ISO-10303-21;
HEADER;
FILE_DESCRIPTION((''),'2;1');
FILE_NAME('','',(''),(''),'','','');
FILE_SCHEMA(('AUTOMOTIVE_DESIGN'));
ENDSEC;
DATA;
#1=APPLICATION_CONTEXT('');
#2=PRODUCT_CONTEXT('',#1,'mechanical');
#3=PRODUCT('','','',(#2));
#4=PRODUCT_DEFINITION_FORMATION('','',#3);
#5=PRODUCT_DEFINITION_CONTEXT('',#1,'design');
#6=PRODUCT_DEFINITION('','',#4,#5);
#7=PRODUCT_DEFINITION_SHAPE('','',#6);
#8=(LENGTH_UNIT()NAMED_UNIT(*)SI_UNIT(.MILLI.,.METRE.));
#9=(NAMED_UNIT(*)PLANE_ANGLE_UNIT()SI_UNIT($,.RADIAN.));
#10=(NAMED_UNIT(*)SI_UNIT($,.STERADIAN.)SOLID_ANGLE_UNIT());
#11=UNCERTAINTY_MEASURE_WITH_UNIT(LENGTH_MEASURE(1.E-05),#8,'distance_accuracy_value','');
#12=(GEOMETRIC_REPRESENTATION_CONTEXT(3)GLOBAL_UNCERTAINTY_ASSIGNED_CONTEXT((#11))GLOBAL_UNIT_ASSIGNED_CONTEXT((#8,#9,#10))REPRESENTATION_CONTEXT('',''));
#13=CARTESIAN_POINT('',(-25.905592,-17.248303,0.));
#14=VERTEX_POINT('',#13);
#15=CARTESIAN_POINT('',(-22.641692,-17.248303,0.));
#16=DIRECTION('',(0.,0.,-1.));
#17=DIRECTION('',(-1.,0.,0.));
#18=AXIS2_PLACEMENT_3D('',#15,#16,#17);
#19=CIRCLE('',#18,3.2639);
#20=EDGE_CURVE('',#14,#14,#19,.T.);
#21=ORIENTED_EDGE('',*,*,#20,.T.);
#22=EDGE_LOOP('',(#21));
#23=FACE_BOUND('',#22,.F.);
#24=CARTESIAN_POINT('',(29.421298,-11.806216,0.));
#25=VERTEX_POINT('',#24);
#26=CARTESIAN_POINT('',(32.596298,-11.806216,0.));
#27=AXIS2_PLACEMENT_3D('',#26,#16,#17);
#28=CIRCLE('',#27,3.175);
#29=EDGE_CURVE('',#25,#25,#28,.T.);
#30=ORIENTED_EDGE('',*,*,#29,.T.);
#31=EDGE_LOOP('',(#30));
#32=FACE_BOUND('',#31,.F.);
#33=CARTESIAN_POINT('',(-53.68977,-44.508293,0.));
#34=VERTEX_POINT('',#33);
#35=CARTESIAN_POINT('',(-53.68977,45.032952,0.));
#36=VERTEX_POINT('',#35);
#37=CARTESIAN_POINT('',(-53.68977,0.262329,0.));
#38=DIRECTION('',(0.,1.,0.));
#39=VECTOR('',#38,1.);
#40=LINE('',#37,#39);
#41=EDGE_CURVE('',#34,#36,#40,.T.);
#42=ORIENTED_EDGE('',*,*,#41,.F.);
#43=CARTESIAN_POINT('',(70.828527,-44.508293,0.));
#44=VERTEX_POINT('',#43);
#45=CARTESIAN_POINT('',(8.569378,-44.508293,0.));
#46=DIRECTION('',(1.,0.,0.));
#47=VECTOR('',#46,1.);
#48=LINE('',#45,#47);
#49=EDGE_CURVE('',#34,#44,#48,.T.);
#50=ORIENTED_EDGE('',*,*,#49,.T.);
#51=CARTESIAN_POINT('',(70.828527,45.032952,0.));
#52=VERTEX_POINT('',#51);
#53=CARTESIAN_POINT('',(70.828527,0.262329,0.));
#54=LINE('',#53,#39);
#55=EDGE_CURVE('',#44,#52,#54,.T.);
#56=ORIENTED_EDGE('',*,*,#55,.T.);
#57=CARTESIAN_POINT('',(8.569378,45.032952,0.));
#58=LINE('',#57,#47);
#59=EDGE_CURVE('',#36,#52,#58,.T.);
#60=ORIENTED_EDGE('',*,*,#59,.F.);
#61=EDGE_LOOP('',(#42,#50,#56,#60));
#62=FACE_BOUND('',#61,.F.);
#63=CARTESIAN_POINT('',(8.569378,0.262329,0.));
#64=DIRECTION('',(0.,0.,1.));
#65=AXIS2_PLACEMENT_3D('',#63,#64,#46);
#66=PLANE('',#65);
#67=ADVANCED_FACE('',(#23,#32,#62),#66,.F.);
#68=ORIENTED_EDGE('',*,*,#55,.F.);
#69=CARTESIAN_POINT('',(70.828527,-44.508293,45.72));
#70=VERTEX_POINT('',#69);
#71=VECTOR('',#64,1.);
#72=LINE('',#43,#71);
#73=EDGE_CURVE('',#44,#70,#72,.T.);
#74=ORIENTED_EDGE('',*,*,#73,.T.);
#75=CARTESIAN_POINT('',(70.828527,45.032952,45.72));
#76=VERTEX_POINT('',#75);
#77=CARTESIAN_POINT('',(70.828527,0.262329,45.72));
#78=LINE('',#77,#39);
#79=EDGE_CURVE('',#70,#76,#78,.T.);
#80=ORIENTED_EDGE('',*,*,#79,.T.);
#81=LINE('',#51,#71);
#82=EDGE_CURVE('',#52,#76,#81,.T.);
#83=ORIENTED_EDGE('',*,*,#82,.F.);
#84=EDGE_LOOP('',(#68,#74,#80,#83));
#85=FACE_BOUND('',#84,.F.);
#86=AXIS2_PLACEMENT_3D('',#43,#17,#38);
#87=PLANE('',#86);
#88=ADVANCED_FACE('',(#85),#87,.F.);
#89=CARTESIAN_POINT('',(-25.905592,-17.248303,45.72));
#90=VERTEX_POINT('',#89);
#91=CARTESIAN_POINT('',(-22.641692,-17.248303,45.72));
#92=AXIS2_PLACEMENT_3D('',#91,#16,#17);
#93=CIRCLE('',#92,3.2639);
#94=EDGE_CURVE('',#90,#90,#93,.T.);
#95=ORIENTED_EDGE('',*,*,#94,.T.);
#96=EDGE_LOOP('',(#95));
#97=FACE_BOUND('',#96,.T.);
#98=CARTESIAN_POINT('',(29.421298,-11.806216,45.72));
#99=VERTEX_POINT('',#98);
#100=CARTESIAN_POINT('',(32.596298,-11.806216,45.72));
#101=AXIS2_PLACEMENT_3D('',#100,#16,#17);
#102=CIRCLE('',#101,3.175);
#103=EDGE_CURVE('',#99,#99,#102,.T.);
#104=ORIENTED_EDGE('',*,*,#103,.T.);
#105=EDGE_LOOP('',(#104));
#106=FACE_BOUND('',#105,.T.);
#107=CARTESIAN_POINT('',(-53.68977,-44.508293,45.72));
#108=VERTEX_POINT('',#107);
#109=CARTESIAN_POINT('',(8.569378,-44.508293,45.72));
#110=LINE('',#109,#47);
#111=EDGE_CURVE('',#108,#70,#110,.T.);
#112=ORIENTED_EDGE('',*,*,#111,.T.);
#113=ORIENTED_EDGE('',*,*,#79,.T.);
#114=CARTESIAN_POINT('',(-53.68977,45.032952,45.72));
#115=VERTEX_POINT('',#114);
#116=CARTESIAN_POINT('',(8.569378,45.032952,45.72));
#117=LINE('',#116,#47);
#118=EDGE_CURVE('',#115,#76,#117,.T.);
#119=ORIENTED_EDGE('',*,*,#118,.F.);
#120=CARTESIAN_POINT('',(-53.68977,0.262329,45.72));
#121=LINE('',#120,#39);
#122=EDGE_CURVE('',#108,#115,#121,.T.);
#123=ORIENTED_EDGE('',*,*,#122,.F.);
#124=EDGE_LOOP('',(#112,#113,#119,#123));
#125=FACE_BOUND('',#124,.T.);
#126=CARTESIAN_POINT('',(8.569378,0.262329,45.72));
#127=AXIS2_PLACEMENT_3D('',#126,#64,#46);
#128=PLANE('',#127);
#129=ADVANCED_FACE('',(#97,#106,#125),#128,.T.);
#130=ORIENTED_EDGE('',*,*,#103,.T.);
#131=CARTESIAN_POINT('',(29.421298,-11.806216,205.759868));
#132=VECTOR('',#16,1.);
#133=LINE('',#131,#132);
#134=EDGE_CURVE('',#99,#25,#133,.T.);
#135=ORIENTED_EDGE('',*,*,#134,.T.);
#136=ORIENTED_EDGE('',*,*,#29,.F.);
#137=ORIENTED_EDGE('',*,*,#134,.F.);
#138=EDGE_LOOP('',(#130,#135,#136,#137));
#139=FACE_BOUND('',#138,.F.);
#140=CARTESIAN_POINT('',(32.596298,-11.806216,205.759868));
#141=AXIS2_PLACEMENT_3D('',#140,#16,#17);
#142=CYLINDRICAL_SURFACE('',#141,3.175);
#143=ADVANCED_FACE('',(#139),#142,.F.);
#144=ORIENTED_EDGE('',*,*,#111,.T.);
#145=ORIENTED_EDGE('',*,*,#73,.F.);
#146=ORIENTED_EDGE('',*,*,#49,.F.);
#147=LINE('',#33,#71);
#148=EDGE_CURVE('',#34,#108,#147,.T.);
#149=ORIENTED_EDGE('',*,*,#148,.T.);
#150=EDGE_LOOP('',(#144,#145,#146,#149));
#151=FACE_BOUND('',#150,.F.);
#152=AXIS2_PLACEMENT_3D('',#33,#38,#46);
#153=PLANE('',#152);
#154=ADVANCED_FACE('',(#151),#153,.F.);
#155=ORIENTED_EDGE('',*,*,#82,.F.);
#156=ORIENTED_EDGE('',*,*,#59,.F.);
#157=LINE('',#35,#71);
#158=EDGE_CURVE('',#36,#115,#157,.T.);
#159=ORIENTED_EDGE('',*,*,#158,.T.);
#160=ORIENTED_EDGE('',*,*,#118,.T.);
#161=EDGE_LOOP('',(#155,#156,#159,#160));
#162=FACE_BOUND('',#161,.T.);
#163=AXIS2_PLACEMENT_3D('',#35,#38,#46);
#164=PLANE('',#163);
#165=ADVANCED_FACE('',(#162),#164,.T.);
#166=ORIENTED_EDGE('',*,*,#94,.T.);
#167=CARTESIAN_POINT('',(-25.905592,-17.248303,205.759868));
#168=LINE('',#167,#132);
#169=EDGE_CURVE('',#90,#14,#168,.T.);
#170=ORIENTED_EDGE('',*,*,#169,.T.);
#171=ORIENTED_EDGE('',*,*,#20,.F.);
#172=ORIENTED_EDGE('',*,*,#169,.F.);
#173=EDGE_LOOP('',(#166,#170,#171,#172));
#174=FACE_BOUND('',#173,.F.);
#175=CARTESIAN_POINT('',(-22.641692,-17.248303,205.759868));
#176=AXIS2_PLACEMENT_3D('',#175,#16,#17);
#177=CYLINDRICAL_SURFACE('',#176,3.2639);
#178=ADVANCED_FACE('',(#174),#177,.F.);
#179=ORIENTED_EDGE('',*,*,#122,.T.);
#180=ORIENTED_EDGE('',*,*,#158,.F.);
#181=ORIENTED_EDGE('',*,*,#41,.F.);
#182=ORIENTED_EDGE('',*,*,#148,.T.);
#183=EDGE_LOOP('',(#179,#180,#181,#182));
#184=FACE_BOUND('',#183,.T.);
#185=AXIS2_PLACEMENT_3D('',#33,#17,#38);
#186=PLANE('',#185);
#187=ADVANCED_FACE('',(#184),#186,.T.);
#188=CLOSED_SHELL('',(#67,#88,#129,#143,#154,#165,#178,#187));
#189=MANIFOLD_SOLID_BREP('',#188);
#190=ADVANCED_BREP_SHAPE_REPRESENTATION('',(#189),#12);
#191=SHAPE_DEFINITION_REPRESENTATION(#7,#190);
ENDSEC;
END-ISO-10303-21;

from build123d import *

# Parameters (mm, degrees)
F0_W     = 124.5182976127
F0_H     = 89.5412452519
F1_DEPTH = 45.72
F3_D     = 6.5278
F5_D     = 6.35


with BuildPart() as f1:
    # F0 (on Top) → F1 (new body)
    with BuildSketch(Plane.XY):
        with Locations((8.5693784058, 0.2623293549)):
            Rectangle(F0_W, F0_H)
    extrude(amount=F1_DEPTH)

    # F3 (through all)
    with Locations(Plane.XY.offset(45.72)):
        with Locations((-22.6416923106, -17.2483026981)):
            Hole(F3_D / 2)

    # F5 (through all)
    with Locations(Plane.XY.offset(45.72)):
        with Locations((32.5962975621, -11.8062160909)):
            Hole(F5_D / 2)


solid = f1.part
